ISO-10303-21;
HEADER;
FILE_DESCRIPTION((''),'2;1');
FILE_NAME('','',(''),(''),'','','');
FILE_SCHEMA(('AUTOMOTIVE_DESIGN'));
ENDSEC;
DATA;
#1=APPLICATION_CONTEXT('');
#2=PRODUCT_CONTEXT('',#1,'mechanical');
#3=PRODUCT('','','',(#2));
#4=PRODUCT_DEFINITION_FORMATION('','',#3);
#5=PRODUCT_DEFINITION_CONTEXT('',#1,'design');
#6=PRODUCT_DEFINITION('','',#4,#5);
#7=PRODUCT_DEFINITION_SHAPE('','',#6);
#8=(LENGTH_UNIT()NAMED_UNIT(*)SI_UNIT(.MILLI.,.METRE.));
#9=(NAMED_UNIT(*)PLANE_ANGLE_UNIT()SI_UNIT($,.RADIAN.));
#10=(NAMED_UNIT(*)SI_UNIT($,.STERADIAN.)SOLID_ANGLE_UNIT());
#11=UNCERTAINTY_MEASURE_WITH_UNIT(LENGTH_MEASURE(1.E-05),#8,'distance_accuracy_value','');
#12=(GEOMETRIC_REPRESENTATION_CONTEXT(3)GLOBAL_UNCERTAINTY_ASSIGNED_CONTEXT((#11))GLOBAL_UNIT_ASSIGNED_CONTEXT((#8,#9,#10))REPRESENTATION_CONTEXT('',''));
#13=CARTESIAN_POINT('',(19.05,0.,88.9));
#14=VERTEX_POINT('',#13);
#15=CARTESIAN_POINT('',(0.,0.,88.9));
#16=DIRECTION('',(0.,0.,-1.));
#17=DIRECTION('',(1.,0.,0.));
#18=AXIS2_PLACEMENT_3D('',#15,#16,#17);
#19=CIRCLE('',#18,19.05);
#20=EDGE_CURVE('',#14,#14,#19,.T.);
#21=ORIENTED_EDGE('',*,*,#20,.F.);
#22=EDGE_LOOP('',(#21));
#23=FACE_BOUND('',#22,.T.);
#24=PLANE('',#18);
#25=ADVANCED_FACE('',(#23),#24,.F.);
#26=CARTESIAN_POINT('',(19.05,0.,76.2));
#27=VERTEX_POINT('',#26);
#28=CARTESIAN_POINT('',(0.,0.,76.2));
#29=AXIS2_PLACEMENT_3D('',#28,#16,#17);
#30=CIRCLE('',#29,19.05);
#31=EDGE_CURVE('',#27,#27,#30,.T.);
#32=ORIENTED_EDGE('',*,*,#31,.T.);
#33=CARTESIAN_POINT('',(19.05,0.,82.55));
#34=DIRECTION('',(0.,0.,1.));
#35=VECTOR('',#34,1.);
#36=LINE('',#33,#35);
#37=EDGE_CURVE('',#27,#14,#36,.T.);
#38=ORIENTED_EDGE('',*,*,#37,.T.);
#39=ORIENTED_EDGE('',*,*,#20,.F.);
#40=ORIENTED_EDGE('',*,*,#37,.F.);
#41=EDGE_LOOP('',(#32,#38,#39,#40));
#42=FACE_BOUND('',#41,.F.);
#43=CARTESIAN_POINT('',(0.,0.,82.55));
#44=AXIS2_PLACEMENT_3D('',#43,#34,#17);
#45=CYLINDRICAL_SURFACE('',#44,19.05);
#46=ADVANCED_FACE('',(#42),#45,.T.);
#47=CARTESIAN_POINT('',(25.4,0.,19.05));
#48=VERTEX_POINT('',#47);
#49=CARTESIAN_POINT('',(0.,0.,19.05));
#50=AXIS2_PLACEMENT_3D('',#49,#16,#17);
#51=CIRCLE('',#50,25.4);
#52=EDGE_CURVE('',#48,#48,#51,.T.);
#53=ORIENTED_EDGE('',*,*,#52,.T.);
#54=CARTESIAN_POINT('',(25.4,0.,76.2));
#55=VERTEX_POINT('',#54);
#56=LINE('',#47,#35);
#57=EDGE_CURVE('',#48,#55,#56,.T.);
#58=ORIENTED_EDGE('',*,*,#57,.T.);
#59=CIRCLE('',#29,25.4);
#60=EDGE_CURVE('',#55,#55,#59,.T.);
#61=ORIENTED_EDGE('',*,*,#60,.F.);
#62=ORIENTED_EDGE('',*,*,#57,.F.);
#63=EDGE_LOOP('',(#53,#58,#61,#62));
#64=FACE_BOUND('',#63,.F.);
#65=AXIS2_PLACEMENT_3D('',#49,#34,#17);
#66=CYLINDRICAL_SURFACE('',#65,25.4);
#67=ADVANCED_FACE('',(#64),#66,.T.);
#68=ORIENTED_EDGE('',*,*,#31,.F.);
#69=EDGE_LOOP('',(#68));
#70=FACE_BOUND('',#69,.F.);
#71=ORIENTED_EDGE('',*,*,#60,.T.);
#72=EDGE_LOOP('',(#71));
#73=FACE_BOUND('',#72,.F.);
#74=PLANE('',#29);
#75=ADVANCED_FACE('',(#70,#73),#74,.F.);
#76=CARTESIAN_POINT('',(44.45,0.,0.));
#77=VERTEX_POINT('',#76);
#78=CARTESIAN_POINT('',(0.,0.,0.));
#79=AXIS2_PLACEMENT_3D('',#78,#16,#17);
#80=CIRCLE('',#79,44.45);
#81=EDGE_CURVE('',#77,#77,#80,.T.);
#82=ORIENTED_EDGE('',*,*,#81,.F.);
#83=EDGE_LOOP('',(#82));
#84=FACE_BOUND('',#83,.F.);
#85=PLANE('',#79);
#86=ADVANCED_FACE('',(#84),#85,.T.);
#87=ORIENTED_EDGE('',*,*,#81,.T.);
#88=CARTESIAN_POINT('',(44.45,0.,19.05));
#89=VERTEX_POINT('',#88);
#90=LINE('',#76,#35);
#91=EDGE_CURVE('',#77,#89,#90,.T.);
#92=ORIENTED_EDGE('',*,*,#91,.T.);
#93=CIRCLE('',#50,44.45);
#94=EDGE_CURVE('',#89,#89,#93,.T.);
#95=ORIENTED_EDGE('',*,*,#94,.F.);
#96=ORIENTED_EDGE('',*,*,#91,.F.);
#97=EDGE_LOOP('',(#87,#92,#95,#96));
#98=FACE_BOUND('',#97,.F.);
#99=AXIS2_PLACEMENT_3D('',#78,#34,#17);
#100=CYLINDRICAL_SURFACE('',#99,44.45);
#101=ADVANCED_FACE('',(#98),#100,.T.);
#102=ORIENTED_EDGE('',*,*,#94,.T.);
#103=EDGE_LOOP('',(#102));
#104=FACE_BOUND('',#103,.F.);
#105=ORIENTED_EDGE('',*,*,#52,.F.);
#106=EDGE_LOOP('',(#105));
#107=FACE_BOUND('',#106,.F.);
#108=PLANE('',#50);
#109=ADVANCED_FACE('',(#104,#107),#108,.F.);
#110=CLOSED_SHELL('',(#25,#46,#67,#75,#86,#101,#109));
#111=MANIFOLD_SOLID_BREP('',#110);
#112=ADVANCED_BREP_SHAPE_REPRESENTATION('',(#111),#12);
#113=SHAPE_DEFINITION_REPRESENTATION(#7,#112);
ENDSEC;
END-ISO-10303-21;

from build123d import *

# Parameters (mm, degrees)
F0_R     = 9.525
F1_DEPTH = 88.9
F2_W     = 19.05
F2_H     = 12.7


with BuildPart() as f1:
    # F0 (on Top) → F1 (new body)
    with BuildSketch(Plane.XY):
        Circle(F0_R)
    extrude(amount=F1_DEPTH)

    # F2 (on Front) → F3 (revolve)
    with BuildSketch(Plane.XZ):
        Polygon((0, 19.05), (0, 0), (44.45, 0), (44.45, 19.05), (25.4, 19.05), align=None)
        Polygon((0, 76.2), (0, 19.05), (25.4, 19.05), (25.4, 76.2), (19.05, 76.2), align=None)
        with Locations((9.525, 82.55)):
            Rectangle(F2_W, F2_H)
    revolve(axis=Axis((0, 0, 0), (0, 0, -1)))


solid = f1.part
